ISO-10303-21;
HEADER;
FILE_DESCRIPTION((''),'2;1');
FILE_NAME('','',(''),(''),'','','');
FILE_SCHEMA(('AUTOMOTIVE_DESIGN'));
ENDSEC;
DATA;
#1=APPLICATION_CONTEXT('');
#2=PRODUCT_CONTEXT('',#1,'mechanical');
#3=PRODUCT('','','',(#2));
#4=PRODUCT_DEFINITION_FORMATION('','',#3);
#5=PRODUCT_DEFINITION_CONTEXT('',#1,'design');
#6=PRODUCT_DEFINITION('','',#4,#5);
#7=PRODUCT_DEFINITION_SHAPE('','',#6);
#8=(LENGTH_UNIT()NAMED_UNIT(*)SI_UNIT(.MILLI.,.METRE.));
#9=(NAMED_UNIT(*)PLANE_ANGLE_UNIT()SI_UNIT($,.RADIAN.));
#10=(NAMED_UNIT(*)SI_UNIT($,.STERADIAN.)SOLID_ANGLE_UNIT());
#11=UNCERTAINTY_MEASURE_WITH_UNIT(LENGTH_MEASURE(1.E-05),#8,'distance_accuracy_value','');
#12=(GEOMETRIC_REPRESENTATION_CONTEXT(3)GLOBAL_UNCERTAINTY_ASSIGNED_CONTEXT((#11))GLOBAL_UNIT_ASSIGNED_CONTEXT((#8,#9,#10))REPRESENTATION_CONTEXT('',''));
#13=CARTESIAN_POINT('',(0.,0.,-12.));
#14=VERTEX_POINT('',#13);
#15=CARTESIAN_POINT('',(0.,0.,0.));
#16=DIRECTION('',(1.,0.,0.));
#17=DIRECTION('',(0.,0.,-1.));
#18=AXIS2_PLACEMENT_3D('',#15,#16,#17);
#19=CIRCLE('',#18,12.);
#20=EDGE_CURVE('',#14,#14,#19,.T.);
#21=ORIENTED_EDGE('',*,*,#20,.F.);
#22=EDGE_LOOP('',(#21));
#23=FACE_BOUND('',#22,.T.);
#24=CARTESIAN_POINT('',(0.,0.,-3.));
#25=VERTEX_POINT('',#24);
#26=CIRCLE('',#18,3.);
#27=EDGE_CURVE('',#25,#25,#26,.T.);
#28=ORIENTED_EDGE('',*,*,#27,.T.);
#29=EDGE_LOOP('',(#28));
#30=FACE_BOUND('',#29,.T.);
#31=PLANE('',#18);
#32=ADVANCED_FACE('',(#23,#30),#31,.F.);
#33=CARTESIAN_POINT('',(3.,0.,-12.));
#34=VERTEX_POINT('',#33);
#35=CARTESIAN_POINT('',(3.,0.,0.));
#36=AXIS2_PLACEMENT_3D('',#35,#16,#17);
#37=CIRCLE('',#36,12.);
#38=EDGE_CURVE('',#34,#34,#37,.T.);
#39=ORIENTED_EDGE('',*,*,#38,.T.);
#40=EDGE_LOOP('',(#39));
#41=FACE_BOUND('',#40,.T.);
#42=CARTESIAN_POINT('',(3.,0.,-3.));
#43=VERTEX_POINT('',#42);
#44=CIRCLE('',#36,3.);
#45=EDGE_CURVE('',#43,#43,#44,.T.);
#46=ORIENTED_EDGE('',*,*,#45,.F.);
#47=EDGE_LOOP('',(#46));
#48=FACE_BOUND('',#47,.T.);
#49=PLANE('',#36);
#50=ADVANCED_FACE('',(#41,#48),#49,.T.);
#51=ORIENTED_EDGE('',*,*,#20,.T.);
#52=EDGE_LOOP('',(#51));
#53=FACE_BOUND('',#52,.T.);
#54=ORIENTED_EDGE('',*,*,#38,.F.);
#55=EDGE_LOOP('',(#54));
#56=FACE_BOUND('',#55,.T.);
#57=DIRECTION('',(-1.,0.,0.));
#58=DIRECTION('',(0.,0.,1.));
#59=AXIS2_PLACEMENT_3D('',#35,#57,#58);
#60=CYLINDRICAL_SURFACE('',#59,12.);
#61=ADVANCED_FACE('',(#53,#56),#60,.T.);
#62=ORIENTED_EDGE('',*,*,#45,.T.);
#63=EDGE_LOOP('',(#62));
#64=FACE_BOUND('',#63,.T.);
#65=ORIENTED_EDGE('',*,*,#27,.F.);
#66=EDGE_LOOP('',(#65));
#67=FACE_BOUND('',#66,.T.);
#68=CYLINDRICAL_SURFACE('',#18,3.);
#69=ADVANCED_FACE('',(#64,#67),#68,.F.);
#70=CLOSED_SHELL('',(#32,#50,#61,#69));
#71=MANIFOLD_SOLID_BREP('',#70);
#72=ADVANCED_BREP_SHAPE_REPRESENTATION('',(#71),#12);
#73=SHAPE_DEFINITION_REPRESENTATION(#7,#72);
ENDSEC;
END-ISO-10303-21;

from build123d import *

# Parameters (mm, degrees)
SKETCH1_R               = 12
BOSS_EXTRUDE1_DEPTH     = 3
SKETCH2_R               = 3
CUT_EXTRUDE1_DEPTH      = 1
CUT_EXTRUDE1_DEPTH_BACK = 4


with BuildPart() as part:
    # Sketch1 → Boss-Extrude1 (new body)
    with BuildSketch(Plane(origin=(0, 0, 0), x_dir=(0, 0, -1), z_dir=(1, 0, 0))):
        Circle(SKETCH1_R)
    extrude(amount=BOSS_EXTRUDE1_DEPTH)

    # Sketch2 → Cut-Extrude1 (cut, two sides)
    with BuildSketch(Plane(origin=(3, 0, 0), x_dir=(0, 0, -1), z_dir=(1, 0, 0))) as cut_extrude1_sk:
        Circle(SKETCH2_R)
    extrude(amount=CUT_EXTRUDE1_DEPTH, mode=Mode.SUBTRACT)
    extrude(cut_extrude1_sk.sketch, amount=-CUT_EXTRUDE1_DEPTH_BACK, mode=Mode.SUBTRACT)


solid = part.part
